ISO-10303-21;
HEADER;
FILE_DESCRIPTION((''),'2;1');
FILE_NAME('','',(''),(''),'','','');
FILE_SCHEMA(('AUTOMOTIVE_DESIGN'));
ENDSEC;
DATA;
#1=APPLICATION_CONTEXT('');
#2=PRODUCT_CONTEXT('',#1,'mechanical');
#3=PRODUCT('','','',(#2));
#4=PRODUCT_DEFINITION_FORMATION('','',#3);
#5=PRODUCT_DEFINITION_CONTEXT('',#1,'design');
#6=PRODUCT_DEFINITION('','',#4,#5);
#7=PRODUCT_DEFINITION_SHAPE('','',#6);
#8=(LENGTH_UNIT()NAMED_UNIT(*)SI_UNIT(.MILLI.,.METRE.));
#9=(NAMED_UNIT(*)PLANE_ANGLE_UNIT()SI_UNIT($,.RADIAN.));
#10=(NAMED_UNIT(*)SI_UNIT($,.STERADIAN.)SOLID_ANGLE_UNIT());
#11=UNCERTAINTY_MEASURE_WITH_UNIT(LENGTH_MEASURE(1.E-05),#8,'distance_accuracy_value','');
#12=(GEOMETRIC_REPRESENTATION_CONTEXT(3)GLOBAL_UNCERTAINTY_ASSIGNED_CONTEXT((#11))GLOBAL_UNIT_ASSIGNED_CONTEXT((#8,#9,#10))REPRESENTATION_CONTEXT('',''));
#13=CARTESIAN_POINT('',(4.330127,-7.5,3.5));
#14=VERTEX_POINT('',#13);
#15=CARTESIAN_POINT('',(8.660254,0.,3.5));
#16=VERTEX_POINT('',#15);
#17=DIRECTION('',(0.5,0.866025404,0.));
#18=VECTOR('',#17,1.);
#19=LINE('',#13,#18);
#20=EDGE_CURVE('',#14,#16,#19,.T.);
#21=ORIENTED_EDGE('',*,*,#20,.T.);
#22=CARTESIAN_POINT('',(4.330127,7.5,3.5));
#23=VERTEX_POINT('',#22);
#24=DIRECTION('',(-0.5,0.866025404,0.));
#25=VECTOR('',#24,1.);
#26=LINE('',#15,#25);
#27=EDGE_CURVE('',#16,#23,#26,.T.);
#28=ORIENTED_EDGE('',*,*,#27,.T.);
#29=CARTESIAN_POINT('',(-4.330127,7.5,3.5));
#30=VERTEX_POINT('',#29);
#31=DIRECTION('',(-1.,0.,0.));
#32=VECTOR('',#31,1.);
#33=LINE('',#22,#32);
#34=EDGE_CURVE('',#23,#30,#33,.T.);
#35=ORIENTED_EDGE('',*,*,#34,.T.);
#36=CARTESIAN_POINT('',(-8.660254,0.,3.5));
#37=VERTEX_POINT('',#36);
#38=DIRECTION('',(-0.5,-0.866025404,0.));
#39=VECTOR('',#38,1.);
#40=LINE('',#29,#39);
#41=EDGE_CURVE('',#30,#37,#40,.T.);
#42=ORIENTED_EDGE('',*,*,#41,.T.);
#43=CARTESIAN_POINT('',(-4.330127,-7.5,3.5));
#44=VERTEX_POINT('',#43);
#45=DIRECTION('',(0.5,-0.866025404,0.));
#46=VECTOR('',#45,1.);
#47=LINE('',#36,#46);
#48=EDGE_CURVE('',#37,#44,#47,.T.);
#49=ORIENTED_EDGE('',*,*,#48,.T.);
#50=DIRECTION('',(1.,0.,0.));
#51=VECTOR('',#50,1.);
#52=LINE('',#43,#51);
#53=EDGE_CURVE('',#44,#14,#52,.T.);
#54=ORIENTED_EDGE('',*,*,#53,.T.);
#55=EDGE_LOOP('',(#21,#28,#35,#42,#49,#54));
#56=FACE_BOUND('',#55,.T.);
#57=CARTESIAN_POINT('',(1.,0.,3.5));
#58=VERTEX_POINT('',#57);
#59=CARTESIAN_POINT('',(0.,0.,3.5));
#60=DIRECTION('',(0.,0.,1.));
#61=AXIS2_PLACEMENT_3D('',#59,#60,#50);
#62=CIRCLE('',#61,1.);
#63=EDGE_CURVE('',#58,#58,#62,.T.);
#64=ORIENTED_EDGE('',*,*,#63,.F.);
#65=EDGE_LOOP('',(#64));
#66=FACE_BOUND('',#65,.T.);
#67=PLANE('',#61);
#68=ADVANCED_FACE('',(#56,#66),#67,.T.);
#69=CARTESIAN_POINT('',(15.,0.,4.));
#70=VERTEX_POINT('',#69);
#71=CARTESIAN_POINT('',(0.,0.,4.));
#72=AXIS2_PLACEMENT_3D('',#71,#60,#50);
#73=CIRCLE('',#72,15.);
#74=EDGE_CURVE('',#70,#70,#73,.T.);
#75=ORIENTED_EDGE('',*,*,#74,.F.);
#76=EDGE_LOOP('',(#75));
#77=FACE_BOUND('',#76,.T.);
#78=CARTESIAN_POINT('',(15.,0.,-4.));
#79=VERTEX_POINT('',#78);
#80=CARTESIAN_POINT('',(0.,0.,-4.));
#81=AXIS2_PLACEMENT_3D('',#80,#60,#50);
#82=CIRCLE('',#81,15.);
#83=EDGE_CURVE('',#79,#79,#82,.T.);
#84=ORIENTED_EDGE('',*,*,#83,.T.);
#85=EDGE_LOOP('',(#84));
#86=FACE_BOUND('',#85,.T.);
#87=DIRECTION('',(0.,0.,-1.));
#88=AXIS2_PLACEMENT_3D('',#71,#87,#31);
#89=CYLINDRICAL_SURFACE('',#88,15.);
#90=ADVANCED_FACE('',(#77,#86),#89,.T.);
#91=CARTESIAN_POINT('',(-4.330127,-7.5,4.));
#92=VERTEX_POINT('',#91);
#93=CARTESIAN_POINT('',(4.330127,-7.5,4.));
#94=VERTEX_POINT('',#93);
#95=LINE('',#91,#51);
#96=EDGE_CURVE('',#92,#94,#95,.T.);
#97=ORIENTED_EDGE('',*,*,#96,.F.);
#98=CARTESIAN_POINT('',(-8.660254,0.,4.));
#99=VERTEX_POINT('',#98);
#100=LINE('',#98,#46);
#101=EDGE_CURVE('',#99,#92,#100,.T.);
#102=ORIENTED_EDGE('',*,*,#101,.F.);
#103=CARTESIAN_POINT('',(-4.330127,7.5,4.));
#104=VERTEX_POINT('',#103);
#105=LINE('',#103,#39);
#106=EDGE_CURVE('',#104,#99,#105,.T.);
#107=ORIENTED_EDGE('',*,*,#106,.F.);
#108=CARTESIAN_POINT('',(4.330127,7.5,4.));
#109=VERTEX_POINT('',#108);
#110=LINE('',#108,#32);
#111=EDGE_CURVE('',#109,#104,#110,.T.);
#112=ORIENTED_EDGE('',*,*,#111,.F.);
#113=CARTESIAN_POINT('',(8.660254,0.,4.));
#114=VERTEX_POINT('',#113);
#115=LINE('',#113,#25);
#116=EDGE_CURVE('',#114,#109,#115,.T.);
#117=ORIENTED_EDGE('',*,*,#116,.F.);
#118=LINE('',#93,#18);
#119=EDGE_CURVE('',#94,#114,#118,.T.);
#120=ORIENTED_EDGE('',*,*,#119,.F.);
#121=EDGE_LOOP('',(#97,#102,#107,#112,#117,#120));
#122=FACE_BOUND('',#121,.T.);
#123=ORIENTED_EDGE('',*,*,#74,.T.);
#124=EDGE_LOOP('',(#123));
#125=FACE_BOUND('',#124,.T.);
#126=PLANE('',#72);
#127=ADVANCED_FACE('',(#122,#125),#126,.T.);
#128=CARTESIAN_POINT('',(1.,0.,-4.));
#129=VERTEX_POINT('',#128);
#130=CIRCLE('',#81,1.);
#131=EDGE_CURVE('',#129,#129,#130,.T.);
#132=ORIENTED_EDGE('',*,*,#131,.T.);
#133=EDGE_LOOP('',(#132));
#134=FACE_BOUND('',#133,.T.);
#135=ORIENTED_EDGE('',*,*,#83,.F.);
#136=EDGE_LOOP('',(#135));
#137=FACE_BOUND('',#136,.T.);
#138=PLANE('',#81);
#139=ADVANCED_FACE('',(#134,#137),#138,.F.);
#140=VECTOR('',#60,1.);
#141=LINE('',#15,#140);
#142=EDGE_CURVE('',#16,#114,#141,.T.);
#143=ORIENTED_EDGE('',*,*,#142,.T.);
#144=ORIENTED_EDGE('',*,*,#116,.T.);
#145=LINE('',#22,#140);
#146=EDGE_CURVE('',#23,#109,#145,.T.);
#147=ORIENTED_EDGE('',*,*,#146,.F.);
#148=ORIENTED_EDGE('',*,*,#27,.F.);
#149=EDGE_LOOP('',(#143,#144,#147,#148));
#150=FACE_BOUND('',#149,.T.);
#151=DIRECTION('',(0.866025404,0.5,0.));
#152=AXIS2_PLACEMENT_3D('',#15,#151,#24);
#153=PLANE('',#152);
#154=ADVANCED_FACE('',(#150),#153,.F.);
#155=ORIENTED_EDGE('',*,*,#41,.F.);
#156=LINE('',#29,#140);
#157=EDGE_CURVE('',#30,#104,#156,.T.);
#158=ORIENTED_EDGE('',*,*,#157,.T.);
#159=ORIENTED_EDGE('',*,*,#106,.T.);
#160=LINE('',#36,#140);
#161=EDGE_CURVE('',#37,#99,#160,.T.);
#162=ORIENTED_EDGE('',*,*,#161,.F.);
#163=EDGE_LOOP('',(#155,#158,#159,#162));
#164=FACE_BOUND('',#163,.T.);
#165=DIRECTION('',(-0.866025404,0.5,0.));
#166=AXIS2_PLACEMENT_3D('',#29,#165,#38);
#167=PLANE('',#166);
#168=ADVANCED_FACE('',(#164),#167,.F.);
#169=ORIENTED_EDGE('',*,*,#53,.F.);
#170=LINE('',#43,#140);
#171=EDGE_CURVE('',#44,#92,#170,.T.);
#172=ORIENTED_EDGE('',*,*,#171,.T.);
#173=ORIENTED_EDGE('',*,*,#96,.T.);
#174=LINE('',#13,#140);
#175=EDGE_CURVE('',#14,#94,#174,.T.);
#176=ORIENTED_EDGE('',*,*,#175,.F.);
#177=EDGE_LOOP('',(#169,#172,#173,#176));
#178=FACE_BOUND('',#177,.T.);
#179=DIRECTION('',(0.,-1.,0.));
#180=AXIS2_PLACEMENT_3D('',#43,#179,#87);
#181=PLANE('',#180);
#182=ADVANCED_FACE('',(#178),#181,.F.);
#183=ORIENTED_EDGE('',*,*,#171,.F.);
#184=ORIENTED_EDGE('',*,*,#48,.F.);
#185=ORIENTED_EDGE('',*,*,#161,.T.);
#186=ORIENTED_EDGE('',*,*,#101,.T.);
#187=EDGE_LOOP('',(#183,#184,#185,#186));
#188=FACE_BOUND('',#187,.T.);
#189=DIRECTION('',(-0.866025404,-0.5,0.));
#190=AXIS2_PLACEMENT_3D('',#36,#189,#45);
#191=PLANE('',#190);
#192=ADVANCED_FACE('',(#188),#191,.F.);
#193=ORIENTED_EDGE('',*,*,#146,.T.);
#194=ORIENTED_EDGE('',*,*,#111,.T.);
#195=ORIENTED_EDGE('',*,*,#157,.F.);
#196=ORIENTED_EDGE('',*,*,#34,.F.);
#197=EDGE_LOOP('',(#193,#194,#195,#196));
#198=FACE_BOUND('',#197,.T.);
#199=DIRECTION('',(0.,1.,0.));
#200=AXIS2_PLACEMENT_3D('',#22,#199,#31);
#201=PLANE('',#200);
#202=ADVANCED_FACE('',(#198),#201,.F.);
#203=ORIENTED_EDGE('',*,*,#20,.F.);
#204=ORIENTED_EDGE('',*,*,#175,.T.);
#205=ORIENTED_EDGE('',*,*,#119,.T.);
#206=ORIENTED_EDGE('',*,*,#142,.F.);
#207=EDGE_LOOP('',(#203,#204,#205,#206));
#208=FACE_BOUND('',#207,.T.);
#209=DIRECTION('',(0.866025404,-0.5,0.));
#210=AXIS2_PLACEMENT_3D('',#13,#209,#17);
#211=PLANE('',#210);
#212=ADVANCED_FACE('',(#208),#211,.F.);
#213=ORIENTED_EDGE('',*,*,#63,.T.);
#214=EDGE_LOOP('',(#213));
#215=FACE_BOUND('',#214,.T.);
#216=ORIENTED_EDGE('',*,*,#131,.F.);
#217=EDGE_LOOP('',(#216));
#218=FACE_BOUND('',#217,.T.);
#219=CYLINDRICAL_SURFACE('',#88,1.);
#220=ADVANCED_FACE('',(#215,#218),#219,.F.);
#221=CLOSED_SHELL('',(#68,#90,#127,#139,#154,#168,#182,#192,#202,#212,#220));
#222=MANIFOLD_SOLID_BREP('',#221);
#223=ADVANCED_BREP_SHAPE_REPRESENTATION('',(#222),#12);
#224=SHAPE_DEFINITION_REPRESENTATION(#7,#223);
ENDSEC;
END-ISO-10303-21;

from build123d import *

# Parameters (mm, degrees)
SKETCH1_R           = 15
SKETCH1_R_2         = 1
BOSS_EXTRUDE1_DEPTH = 4
CUT_EXTRUDE1_DEPTH  = 0.5


with BuildPart() as part:
    # Sketch1 → Boss-Extrude1 (new, symmetric)
    with BuildSketch(Plane.XY):
        Circle(SKETCH1_R)
        Circle(SKETCH1_R_2, mode=Mode.SUBTRACT)
    extrude(amount=BOSS_EXTRUDE1_DEPTH, both=True)

    # Sketch2 → Cut-Extrude1 (cut)
    with BuildSketch(Plane.XY.offset(4)):
        Polygon((-4.330127019, 7.5), (-8.660254038, 0), (-4.330127019, -7.5), (4.330127019, -7.5), (8.660254038, 0), (4.330127019, 7.5), align=None)
    extrude(amount=-CUT_EXTRUDE1_DEPTH, mode=Mode.SUBTRACT)


solid = part.part
